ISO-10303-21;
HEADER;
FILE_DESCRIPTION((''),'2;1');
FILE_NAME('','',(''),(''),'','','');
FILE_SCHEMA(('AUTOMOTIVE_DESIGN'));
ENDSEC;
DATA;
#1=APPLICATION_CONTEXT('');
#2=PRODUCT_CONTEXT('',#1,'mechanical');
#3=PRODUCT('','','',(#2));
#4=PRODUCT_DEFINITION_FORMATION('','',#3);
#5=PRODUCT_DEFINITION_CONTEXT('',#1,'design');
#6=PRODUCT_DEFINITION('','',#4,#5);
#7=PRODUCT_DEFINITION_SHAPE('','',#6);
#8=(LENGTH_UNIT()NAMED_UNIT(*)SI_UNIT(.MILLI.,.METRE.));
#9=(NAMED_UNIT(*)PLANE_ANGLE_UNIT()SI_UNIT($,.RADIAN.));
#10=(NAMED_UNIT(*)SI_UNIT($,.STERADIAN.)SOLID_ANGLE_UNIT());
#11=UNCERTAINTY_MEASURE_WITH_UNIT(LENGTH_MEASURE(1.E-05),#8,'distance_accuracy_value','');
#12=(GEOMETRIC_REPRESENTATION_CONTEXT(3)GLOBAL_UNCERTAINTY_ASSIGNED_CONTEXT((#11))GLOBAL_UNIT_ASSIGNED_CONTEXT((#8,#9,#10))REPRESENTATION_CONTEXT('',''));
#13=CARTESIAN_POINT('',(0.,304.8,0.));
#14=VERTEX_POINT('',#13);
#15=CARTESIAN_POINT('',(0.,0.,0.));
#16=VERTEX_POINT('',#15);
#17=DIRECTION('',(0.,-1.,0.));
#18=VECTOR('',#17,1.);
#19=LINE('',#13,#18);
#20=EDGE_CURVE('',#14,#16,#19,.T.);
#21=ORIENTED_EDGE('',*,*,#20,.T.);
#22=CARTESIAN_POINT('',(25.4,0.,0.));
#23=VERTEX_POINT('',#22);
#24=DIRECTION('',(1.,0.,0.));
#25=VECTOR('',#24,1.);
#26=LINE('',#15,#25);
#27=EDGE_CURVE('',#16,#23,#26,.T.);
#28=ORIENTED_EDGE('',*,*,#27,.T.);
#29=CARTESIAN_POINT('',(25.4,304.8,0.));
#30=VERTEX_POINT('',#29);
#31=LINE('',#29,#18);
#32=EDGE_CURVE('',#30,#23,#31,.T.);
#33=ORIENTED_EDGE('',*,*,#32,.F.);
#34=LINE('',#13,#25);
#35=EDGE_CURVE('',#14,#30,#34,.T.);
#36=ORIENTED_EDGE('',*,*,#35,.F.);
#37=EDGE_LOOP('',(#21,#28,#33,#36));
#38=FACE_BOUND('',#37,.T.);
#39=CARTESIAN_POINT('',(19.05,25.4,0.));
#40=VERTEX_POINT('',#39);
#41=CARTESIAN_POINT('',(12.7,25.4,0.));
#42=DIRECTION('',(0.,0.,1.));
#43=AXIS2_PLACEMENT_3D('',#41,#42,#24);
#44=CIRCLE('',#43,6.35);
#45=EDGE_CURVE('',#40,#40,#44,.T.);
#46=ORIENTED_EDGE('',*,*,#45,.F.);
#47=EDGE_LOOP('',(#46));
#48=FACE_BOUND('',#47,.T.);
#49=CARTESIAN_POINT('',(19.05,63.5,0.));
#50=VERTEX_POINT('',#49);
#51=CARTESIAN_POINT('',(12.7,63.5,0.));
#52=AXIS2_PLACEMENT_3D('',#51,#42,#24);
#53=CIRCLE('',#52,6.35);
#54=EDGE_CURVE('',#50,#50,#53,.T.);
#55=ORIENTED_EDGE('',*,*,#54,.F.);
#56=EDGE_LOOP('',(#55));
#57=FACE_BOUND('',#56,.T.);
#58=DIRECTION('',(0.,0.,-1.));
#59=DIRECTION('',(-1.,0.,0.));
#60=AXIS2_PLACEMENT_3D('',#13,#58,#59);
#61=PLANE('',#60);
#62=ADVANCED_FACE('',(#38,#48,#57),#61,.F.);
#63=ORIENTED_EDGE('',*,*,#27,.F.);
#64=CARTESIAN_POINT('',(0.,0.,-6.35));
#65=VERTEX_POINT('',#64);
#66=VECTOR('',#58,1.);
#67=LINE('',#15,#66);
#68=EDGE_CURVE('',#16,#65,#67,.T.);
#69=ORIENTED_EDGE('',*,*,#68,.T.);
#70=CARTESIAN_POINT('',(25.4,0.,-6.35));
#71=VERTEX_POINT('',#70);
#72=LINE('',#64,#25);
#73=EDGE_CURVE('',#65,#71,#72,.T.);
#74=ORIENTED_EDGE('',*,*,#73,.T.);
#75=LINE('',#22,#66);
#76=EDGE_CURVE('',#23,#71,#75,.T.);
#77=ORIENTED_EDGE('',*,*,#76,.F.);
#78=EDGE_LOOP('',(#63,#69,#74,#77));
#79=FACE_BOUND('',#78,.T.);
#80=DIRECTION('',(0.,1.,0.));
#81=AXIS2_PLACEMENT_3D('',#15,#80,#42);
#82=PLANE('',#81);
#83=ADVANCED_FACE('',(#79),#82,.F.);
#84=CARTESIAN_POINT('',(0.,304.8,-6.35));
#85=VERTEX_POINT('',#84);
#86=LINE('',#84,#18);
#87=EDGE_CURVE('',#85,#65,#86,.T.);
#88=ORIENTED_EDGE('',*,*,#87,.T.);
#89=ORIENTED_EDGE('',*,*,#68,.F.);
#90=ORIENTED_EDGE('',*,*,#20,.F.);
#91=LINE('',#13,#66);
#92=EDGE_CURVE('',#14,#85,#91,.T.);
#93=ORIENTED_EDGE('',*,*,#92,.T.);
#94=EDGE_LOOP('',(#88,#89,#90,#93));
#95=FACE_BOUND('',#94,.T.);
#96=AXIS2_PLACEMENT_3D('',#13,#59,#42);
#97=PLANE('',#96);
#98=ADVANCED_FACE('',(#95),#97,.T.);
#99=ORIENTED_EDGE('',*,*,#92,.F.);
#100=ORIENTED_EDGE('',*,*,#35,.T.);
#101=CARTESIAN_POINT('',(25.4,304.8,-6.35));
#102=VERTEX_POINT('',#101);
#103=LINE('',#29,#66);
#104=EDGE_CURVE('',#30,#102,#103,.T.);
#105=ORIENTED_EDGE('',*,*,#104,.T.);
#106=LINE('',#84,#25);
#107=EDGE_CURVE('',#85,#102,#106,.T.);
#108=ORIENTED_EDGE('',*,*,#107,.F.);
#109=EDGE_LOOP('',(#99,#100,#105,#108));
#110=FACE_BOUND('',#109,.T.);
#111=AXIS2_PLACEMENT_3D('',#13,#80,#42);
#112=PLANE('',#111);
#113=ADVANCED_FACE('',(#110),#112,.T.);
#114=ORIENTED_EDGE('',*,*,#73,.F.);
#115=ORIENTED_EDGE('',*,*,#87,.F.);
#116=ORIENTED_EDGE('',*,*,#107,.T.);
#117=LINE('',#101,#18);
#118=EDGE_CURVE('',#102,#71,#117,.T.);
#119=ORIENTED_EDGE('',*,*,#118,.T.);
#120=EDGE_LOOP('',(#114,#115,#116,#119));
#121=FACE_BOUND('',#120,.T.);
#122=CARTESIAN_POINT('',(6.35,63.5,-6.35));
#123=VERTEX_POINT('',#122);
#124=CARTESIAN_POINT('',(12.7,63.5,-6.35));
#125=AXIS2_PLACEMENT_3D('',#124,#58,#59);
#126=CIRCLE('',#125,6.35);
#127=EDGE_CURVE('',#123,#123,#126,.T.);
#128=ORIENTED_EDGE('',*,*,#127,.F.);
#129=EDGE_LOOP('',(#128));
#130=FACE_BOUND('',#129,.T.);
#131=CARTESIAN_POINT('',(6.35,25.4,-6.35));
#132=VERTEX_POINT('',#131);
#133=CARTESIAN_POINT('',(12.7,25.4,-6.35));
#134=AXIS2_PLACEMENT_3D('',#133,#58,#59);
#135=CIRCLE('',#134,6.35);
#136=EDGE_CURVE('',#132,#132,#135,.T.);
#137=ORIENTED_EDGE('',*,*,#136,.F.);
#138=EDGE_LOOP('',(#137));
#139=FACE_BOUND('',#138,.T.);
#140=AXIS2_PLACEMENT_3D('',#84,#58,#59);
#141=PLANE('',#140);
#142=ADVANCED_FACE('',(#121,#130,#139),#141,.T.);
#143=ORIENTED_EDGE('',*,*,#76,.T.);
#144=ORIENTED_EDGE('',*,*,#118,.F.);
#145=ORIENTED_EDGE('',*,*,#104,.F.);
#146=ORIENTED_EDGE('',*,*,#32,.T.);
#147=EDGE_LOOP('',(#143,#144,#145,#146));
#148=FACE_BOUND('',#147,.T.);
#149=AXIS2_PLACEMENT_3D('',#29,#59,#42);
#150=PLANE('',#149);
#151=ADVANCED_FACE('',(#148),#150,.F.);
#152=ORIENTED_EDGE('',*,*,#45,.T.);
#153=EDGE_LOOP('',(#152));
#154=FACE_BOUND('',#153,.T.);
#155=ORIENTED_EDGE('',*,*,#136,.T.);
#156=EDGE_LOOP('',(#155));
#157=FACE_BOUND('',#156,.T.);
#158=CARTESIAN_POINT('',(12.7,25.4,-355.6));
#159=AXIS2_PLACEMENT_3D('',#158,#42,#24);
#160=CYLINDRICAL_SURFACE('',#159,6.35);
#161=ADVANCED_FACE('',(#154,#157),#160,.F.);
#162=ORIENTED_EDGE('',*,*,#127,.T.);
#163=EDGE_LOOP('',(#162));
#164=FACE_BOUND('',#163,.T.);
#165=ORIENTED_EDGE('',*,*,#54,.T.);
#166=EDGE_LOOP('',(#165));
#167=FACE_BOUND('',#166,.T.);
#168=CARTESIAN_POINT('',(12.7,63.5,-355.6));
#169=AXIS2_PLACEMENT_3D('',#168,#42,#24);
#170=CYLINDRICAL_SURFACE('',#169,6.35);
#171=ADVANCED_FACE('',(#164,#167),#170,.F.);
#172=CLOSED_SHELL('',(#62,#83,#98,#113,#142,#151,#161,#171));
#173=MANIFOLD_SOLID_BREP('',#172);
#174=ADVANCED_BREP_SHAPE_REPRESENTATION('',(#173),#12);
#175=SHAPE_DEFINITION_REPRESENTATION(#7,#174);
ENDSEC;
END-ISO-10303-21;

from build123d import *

# Parameters (mm, degrees)
BOSS_EXTRUDE1_DEPTH = 304.8
SKETCH3_R           = 6.35
CUT_EXTRUDE1_DEPTH  = 355.6


with BuildPart() as part:
    # Sketch2 → Boss-Extrude1 (new body)
    with BuildSketch(Plane(origin=(0, 0, 0), x_dir=(1, 0, 0), z_dir=(0, 1, 0))):
        Polygon((0, 1.5875), (0, 0), (20.6375, 0), (25.4, 0), (25.4, 6.35), (0, 6.35), align=None)
    extrude(amount=BOSS_EXTRUDE1_DEPTH)

    # Sketch3 → Cut-Extrude1 (cut)
    with BuildSketch(Plane.XY):
        with Locations((12.7, 25.4)):
            Circle(SKETCH3_R)
        with Locations((12.7, 63.5)):
            Circle(SKETCH3_R)
    extrude(amount=-CUT_EXTRUDE1_DEPTH, mode=Mode.SUBTRACT)


solid = part.part
